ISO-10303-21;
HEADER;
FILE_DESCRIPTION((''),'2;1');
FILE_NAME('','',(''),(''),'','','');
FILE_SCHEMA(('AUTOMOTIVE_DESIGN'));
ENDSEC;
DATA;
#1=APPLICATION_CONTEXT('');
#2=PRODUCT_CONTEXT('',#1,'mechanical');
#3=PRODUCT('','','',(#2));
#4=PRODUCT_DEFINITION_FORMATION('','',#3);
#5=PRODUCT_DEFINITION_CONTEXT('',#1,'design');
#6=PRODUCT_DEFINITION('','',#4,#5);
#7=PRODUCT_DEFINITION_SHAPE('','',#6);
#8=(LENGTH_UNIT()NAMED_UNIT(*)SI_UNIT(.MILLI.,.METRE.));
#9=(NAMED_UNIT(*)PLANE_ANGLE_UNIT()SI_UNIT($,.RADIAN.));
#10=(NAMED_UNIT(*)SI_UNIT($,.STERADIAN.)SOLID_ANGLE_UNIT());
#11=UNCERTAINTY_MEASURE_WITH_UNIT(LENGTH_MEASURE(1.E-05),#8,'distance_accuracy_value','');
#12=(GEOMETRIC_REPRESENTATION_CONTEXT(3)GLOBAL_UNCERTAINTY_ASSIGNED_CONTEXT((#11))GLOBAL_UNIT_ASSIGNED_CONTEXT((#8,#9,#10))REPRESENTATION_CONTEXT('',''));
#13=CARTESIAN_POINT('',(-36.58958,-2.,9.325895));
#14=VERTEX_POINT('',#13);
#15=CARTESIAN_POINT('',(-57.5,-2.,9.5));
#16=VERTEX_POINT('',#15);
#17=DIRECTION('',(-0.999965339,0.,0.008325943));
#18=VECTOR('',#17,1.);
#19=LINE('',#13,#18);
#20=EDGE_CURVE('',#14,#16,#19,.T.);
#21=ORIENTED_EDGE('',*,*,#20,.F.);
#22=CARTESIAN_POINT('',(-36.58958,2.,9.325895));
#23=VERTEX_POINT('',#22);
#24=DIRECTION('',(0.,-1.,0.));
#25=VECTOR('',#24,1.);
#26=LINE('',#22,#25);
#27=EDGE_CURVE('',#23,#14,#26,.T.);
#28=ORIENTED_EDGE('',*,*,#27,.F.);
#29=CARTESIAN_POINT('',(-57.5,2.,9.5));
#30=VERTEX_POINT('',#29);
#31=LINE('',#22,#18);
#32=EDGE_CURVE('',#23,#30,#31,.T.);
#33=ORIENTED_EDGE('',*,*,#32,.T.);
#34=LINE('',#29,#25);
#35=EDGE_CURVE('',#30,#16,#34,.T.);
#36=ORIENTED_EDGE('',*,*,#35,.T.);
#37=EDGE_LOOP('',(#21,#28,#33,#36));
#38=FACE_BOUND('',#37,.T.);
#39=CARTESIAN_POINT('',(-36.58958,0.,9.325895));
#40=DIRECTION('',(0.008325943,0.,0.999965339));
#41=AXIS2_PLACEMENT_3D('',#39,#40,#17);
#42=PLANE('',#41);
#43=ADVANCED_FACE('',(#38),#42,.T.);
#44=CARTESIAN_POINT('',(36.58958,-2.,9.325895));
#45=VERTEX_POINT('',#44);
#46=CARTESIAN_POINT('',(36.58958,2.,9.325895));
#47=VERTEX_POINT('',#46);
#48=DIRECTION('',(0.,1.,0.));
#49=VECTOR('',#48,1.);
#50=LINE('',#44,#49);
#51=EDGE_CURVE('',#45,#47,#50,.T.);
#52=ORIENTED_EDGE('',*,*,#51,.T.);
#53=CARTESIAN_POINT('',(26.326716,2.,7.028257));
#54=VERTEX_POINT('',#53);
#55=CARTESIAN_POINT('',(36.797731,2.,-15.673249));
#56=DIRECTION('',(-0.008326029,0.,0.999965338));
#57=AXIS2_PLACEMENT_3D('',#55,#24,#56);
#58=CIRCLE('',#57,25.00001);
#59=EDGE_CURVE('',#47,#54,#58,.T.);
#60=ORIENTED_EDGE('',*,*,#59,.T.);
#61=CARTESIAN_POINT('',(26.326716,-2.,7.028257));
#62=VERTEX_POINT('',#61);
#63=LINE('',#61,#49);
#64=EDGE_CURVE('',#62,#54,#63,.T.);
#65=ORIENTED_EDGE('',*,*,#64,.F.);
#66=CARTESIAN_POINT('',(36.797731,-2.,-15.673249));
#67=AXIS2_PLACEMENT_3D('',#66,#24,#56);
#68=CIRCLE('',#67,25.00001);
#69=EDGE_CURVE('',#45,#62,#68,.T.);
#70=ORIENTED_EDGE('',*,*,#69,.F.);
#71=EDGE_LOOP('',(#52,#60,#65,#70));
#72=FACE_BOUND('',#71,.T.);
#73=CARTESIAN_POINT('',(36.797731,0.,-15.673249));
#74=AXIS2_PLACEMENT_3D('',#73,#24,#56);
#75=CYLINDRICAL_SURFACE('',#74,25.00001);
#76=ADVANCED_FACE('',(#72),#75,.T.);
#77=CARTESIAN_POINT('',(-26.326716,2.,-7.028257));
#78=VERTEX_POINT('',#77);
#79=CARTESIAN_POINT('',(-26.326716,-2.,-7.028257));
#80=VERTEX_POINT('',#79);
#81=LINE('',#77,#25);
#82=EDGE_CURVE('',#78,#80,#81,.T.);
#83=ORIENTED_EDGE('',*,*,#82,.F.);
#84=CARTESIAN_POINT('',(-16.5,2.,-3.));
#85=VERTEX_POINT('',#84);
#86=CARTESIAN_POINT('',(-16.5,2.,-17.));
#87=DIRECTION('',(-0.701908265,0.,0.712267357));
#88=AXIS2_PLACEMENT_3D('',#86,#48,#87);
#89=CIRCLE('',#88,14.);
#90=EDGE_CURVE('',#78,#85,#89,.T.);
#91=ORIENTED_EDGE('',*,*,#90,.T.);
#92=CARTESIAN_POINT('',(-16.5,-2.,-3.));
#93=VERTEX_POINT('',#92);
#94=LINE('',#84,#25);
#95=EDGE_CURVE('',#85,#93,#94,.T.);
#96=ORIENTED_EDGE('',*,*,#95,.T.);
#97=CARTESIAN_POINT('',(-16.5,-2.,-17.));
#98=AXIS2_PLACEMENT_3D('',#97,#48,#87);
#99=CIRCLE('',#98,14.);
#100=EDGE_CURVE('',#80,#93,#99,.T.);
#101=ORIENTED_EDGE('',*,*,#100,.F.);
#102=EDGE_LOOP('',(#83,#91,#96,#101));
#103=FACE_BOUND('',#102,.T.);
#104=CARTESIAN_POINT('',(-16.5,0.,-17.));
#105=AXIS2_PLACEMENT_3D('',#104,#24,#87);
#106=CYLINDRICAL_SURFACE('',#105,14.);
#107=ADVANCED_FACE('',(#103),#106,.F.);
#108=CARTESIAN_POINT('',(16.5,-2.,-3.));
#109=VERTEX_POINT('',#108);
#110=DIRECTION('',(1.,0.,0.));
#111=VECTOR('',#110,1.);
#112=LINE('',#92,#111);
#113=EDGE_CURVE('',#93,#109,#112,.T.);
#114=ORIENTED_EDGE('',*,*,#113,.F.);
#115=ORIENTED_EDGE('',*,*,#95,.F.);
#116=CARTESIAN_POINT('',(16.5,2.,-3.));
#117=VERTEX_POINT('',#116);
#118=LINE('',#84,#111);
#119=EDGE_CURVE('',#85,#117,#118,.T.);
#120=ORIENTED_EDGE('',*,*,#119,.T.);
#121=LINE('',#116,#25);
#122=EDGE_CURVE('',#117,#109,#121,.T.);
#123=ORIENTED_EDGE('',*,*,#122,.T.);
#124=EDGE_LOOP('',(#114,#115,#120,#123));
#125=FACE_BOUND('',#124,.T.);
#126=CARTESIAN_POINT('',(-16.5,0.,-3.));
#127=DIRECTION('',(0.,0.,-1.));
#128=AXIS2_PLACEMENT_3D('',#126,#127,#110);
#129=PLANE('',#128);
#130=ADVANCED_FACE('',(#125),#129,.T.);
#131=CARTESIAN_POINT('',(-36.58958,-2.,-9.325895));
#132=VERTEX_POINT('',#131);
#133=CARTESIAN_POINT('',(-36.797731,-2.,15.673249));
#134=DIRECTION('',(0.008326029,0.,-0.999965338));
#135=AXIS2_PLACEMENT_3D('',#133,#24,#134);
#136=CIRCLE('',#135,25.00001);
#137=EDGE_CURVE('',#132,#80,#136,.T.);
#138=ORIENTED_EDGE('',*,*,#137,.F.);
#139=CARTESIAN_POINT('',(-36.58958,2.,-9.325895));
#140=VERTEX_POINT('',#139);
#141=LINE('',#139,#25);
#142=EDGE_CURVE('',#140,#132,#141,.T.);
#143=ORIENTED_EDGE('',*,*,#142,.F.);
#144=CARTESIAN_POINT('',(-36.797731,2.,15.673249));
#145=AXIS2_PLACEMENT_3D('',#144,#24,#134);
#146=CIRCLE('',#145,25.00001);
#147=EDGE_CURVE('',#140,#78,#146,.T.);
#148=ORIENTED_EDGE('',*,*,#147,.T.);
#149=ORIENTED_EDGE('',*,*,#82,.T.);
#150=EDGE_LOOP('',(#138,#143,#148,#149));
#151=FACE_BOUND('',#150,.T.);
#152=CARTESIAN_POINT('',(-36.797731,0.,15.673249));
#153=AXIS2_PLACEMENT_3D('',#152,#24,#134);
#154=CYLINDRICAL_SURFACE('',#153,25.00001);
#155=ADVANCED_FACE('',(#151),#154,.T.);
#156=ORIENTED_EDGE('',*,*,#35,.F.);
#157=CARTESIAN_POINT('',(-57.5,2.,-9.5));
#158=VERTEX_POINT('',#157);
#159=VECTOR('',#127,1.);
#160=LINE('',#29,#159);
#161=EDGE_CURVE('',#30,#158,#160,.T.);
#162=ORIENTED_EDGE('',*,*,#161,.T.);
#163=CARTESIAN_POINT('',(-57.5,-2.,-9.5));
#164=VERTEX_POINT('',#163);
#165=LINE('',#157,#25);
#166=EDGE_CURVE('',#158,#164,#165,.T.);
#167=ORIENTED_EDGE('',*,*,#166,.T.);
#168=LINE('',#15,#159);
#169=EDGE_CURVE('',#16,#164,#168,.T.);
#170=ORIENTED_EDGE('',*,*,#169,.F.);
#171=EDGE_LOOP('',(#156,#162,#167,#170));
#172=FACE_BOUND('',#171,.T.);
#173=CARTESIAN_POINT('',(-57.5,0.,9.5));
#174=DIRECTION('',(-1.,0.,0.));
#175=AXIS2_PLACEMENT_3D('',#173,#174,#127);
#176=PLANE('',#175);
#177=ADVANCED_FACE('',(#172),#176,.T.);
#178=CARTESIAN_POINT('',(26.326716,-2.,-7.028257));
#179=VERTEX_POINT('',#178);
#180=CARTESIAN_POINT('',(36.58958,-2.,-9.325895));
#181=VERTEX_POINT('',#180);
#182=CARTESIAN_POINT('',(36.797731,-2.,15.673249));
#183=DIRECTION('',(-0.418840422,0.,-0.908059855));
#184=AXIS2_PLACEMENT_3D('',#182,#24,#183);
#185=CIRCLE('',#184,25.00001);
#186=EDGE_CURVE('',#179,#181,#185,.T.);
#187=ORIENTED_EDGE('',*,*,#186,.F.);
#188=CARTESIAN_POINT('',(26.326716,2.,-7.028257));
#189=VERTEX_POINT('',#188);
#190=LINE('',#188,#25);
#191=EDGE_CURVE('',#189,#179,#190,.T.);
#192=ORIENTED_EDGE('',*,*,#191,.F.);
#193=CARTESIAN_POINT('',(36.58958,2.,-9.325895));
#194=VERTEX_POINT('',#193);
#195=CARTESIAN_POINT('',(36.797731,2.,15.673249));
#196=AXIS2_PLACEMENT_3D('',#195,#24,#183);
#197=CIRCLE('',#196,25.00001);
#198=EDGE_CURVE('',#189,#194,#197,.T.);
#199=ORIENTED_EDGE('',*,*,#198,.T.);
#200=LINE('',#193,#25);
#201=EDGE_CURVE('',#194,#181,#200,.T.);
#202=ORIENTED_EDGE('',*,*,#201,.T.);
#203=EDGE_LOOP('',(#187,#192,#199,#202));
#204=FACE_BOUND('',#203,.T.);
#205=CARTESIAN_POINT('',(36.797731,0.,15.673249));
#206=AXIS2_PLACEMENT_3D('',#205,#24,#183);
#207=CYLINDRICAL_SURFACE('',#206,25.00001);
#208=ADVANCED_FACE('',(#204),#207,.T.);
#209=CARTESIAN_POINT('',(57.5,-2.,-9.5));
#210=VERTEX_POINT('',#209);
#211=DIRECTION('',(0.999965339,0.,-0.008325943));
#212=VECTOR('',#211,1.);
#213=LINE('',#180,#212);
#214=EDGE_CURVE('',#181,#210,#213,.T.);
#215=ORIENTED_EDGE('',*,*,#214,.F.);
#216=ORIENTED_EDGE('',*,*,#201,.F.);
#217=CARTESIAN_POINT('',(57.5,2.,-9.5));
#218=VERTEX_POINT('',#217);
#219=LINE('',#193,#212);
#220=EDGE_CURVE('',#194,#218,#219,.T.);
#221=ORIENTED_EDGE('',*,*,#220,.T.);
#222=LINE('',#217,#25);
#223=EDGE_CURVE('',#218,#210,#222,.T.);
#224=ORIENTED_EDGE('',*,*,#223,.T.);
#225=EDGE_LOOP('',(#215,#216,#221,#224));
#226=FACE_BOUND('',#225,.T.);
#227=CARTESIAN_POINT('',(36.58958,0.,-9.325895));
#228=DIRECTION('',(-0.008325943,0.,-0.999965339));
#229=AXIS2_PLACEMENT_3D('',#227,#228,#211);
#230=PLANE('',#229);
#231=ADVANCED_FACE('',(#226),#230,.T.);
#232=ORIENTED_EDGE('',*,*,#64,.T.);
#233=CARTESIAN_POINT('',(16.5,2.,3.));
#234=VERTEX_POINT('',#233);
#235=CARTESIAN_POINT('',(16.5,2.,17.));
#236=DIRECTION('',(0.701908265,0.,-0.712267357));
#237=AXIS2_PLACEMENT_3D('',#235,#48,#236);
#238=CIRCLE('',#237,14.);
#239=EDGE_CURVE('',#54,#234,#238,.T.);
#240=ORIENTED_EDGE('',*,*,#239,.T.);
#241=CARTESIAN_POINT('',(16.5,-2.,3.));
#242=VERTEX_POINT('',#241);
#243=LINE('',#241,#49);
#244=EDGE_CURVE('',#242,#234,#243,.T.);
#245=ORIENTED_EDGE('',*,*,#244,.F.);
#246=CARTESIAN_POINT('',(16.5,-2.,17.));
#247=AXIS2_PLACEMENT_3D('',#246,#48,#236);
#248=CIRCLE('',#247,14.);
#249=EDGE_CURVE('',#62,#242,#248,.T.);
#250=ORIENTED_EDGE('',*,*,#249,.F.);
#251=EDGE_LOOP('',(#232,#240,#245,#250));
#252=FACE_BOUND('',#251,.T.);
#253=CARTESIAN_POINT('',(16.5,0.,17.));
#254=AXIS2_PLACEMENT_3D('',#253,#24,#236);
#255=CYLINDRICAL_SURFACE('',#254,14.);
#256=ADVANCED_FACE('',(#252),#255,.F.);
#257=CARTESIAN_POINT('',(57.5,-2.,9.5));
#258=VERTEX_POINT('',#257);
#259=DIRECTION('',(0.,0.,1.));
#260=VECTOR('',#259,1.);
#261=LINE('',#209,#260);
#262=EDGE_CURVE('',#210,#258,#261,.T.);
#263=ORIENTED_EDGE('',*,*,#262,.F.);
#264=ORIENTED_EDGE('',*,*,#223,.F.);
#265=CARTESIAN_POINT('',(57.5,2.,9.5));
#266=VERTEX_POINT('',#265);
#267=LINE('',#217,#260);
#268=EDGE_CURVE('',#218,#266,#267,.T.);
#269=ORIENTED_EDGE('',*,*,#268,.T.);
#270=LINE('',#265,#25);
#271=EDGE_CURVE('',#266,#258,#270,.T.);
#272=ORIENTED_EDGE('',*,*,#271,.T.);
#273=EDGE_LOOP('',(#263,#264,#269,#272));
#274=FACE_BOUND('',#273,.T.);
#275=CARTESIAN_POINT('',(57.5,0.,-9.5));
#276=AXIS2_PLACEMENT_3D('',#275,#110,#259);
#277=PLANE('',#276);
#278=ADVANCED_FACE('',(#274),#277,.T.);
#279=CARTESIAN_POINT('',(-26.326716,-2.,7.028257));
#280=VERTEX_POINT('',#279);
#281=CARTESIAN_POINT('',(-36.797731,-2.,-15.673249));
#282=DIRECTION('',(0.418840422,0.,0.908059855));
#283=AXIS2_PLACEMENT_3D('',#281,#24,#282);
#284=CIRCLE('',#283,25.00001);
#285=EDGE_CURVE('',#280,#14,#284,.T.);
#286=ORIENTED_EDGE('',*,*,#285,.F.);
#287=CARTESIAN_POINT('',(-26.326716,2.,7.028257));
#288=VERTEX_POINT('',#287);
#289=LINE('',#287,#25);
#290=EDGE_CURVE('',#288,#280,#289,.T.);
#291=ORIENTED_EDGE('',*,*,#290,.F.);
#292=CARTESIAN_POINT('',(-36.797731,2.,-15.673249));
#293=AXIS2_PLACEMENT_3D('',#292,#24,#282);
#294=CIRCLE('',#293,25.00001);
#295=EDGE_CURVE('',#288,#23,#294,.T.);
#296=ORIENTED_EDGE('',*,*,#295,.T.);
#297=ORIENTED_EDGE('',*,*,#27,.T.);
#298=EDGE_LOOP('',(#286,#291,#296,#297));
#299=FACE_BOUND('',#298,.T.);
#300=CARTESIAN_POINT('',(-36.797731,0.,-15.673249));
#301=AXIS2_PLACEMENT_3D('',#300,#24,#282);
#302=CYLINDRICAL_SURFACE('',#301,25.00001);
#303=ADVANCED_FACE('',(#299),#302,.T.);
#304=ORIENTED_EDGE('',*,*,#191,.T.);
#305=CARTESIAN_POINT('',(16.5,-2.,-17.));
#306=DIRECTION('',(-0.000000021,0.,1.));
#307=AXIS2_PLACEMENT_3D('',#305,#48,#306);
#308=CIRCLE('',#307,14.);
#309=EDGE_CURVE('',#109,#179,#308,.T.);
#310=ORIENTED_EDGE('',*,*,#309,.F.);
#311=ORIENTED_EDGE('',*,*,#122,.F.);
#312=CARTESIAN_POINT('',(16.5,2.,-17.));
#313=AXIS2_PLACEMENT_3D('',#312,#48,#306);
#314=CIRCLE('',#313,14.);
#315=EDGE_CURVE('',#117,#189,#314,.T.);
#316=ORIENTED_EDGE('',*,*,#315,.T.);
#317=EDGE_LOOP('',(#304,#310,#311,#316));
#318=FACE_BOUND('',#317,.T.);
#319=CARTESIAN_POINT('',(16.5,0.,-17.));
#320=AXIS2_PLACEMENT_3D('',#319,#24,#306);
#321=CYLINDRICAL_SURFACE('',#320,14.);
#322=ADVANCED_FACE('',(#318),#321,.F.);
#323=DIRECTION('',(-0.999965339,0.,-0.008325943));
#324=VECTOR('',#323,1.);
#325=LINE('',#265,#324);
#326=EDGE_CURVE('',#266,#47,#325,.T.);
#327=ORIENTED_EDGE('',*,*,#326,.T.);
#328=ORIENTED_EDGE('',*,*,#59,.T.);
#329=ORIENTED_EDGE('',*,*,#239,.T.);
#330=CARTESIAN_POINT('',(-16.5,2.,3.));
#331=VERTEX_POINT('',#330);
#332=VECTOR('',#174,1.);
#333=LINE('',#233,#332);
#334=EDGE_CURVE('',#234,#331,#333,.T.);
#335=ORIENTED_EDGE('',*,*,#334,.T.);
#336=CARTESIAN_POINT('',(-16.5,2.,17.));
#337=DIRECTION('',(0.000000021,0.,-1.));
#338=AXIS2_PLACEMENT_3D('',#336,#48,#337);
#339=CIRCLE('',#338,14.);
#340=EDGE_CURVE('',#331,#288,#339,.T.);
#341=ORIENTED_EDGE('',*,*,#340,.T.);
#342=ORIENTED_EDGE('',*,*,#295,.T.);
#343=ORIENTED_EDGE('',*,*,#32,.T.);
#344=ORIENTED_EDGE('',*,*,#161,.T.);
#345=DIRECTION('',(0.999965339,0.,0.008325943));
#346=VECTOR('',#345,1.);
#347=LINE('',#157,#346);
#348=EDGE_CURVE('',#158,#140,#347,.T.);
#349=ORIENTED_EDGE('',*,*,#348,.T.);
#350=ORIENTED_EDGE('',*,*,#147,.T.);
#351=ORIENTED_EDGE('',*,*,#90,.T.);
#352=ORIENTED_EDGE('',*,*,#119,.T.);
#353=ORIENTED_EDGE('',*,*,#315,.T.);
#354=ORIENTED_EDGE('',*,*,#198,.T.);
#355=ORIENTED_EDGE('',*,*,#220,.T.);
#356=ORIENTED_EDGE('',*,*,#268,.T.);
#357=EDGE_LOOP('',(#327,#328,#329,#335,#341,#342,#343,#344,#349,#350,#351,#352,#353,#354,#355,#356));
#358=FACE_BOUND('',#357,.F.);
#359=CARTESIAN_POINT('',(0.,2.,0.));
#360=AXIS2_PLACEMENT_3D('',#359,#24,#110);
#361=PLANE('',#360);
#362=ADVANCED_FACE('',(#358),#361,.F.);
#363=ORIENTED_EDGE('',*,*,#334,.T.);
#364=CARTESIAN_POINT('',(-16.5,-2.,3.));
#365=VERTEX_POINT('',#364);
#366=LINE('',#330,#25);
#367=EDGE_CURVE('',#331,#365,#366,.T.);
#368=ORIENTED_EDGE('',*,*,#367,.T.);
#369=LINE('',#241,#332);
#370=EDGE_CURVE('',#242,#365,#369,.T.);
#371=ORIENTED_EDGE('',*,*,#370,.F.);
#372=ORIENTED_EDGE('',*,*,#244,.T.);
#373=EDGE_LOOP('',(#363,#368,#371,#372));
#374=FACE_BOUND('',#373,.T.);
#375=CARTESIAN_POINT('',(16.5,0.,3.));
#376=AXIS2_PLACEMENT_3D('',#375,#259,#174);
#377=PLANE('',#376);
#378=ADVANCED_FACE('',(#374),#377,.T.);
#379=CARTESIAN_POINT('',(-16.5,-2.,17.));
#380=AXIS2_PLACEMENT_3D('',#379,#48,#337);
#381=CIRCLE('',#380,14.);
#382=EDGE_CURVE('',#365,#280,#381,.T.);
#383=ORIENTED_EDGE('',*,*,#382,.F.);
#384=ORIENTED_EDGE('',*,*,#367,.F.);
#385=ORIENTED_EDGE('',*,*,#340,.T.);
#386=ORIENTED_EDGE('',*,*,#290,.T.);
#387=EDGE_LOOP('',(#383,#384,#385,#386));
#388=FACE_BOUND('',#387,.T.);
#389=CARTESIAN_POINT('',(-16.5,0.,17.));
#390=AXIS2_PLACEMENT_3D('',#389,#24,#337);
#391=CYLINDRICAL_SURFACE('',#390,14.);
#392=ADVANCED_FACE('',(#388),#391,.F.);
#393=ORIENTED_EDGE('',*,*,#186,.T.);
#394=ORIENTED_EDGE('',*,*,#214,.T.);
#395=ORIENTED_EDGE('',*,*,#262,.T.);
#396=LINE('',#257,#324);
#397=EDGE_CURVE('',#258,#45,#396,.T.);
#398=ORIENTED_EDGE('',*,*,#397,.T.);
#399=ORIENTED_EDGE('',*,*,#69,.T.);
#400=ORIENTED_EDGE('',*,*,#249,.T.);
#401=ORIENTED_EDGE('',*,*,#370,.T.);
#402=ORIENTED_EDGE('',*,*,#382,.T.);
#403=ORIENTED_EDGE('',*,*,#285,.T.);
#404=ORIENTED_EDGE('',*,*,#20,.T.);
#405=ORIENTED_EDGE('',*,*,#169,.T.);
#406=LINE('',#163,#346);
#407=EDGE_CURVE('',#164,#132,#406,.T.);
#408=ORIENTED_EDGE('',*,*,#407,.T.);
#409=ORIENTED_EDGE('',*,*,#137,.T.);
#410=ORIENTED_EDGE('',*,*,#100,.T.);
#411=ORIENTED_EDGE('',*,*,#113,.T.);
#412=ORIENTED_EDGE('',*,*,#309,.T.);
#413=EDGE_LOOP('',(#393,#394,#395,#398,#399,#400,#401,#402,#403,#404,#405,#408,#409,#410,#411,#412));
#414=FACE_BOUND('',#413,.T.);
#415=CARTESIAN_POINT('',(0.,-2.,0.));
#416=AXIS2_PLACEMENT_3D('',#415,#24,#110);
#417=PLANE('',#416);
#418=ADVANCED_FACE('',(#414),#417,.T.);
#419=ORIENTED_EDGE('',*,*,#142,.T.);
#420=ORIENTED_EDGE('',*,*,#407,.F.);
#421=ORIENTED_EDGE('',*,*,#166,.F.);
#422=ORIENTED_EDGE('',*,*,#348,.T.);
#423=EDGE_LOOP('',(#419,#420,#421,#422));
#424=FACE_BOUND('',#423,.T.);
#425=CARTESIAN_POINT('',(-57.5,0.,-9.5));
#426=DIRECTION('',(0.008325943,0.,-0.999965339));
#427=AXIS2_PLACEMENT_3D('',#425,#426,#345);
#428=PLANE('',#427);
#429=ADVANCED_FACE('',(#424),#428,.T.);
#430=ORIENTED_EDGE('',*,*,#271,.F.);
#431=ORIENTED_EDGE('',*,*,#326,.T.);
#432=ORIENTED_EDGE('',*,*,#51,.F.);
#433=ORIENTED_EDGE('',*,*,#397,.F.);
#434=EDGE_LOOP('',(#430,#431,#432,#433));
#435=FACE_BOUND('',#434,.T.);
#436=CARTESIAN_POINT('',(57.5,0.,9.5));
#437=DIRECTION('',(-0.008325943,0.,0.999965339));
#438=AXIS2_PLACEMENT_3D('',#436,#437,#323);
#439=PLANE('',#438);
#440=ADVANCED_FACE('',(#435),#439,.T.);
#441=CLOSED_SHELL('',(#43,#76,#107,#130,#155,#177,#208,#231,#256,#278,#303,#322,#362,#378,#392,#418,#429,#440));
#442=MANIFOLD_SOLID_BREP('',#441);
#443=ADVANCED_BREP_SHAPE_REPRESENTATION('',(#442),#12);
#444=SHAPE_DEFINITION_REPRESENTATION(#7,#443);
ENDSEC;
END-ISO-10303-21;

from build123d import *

# Parameters (mm, degrees)
F1_DEPTH = 2


with BuildPart() as f1:
    # F0 (on Front) → F1 (new body, symmetric)
    with BuildSketch(Plane.XZ):
        with BuildLine():
            Line((16.5, 3), (0, 3))
            Line((0, 3), (-16.5, 3))
            ThreePointArc((-16.5, 3), (-21.81016, 4.046151), (-26.326716, 7.028257))
            ThreePointArc((-26.326716, 7.028257), (-31.335961, 8.722849), (-36.58958, 9.325895))
            Line((-36.58958, 9.325895), (-57.5, 9.5))
            Line((-57.5, 9.5), (-57.5, -9.5))
            Line((-57.5, -9.5), (-36.58958, -9.325895))
            ThreePointArc((-36.58958, -9.325895), (-31.335961, -8.722849), (-26.326716, -7.028257))
            ThreePointArc((-26.326716, -7.028257), (-21.81016, -4.046151), (-16.5, -3))
            Line((-16.5, -3), (0, -3))
            Line((0, -3), (16.5, -3))
            ThreePointArc((16.5, -3), (21.81016, -4.046151), (26.326716, -7.028257))
            ThreePointArc((26.326716, -7.028257), (31.335961, -8.722849), (36.58958, -9.325895))
            Line((36.58958, -9.325895), (57.5, -9.5))
            Line((57.5, -9.5), (57.5, 9.5))
            Line((57.5, 9.5), (36.58958, 9.325895))
            ThreePointArc((36.58958, 9.325895), (31.335961, 8.722849), (26.326716, 7.028257))
            ThreePointArc((26.326716, 7.028257), (21.81016, 4.046151), (16.5, 3))
        make_face()
    extrude(amount=F1_DEPTH, both=True)


solid = f1.part
